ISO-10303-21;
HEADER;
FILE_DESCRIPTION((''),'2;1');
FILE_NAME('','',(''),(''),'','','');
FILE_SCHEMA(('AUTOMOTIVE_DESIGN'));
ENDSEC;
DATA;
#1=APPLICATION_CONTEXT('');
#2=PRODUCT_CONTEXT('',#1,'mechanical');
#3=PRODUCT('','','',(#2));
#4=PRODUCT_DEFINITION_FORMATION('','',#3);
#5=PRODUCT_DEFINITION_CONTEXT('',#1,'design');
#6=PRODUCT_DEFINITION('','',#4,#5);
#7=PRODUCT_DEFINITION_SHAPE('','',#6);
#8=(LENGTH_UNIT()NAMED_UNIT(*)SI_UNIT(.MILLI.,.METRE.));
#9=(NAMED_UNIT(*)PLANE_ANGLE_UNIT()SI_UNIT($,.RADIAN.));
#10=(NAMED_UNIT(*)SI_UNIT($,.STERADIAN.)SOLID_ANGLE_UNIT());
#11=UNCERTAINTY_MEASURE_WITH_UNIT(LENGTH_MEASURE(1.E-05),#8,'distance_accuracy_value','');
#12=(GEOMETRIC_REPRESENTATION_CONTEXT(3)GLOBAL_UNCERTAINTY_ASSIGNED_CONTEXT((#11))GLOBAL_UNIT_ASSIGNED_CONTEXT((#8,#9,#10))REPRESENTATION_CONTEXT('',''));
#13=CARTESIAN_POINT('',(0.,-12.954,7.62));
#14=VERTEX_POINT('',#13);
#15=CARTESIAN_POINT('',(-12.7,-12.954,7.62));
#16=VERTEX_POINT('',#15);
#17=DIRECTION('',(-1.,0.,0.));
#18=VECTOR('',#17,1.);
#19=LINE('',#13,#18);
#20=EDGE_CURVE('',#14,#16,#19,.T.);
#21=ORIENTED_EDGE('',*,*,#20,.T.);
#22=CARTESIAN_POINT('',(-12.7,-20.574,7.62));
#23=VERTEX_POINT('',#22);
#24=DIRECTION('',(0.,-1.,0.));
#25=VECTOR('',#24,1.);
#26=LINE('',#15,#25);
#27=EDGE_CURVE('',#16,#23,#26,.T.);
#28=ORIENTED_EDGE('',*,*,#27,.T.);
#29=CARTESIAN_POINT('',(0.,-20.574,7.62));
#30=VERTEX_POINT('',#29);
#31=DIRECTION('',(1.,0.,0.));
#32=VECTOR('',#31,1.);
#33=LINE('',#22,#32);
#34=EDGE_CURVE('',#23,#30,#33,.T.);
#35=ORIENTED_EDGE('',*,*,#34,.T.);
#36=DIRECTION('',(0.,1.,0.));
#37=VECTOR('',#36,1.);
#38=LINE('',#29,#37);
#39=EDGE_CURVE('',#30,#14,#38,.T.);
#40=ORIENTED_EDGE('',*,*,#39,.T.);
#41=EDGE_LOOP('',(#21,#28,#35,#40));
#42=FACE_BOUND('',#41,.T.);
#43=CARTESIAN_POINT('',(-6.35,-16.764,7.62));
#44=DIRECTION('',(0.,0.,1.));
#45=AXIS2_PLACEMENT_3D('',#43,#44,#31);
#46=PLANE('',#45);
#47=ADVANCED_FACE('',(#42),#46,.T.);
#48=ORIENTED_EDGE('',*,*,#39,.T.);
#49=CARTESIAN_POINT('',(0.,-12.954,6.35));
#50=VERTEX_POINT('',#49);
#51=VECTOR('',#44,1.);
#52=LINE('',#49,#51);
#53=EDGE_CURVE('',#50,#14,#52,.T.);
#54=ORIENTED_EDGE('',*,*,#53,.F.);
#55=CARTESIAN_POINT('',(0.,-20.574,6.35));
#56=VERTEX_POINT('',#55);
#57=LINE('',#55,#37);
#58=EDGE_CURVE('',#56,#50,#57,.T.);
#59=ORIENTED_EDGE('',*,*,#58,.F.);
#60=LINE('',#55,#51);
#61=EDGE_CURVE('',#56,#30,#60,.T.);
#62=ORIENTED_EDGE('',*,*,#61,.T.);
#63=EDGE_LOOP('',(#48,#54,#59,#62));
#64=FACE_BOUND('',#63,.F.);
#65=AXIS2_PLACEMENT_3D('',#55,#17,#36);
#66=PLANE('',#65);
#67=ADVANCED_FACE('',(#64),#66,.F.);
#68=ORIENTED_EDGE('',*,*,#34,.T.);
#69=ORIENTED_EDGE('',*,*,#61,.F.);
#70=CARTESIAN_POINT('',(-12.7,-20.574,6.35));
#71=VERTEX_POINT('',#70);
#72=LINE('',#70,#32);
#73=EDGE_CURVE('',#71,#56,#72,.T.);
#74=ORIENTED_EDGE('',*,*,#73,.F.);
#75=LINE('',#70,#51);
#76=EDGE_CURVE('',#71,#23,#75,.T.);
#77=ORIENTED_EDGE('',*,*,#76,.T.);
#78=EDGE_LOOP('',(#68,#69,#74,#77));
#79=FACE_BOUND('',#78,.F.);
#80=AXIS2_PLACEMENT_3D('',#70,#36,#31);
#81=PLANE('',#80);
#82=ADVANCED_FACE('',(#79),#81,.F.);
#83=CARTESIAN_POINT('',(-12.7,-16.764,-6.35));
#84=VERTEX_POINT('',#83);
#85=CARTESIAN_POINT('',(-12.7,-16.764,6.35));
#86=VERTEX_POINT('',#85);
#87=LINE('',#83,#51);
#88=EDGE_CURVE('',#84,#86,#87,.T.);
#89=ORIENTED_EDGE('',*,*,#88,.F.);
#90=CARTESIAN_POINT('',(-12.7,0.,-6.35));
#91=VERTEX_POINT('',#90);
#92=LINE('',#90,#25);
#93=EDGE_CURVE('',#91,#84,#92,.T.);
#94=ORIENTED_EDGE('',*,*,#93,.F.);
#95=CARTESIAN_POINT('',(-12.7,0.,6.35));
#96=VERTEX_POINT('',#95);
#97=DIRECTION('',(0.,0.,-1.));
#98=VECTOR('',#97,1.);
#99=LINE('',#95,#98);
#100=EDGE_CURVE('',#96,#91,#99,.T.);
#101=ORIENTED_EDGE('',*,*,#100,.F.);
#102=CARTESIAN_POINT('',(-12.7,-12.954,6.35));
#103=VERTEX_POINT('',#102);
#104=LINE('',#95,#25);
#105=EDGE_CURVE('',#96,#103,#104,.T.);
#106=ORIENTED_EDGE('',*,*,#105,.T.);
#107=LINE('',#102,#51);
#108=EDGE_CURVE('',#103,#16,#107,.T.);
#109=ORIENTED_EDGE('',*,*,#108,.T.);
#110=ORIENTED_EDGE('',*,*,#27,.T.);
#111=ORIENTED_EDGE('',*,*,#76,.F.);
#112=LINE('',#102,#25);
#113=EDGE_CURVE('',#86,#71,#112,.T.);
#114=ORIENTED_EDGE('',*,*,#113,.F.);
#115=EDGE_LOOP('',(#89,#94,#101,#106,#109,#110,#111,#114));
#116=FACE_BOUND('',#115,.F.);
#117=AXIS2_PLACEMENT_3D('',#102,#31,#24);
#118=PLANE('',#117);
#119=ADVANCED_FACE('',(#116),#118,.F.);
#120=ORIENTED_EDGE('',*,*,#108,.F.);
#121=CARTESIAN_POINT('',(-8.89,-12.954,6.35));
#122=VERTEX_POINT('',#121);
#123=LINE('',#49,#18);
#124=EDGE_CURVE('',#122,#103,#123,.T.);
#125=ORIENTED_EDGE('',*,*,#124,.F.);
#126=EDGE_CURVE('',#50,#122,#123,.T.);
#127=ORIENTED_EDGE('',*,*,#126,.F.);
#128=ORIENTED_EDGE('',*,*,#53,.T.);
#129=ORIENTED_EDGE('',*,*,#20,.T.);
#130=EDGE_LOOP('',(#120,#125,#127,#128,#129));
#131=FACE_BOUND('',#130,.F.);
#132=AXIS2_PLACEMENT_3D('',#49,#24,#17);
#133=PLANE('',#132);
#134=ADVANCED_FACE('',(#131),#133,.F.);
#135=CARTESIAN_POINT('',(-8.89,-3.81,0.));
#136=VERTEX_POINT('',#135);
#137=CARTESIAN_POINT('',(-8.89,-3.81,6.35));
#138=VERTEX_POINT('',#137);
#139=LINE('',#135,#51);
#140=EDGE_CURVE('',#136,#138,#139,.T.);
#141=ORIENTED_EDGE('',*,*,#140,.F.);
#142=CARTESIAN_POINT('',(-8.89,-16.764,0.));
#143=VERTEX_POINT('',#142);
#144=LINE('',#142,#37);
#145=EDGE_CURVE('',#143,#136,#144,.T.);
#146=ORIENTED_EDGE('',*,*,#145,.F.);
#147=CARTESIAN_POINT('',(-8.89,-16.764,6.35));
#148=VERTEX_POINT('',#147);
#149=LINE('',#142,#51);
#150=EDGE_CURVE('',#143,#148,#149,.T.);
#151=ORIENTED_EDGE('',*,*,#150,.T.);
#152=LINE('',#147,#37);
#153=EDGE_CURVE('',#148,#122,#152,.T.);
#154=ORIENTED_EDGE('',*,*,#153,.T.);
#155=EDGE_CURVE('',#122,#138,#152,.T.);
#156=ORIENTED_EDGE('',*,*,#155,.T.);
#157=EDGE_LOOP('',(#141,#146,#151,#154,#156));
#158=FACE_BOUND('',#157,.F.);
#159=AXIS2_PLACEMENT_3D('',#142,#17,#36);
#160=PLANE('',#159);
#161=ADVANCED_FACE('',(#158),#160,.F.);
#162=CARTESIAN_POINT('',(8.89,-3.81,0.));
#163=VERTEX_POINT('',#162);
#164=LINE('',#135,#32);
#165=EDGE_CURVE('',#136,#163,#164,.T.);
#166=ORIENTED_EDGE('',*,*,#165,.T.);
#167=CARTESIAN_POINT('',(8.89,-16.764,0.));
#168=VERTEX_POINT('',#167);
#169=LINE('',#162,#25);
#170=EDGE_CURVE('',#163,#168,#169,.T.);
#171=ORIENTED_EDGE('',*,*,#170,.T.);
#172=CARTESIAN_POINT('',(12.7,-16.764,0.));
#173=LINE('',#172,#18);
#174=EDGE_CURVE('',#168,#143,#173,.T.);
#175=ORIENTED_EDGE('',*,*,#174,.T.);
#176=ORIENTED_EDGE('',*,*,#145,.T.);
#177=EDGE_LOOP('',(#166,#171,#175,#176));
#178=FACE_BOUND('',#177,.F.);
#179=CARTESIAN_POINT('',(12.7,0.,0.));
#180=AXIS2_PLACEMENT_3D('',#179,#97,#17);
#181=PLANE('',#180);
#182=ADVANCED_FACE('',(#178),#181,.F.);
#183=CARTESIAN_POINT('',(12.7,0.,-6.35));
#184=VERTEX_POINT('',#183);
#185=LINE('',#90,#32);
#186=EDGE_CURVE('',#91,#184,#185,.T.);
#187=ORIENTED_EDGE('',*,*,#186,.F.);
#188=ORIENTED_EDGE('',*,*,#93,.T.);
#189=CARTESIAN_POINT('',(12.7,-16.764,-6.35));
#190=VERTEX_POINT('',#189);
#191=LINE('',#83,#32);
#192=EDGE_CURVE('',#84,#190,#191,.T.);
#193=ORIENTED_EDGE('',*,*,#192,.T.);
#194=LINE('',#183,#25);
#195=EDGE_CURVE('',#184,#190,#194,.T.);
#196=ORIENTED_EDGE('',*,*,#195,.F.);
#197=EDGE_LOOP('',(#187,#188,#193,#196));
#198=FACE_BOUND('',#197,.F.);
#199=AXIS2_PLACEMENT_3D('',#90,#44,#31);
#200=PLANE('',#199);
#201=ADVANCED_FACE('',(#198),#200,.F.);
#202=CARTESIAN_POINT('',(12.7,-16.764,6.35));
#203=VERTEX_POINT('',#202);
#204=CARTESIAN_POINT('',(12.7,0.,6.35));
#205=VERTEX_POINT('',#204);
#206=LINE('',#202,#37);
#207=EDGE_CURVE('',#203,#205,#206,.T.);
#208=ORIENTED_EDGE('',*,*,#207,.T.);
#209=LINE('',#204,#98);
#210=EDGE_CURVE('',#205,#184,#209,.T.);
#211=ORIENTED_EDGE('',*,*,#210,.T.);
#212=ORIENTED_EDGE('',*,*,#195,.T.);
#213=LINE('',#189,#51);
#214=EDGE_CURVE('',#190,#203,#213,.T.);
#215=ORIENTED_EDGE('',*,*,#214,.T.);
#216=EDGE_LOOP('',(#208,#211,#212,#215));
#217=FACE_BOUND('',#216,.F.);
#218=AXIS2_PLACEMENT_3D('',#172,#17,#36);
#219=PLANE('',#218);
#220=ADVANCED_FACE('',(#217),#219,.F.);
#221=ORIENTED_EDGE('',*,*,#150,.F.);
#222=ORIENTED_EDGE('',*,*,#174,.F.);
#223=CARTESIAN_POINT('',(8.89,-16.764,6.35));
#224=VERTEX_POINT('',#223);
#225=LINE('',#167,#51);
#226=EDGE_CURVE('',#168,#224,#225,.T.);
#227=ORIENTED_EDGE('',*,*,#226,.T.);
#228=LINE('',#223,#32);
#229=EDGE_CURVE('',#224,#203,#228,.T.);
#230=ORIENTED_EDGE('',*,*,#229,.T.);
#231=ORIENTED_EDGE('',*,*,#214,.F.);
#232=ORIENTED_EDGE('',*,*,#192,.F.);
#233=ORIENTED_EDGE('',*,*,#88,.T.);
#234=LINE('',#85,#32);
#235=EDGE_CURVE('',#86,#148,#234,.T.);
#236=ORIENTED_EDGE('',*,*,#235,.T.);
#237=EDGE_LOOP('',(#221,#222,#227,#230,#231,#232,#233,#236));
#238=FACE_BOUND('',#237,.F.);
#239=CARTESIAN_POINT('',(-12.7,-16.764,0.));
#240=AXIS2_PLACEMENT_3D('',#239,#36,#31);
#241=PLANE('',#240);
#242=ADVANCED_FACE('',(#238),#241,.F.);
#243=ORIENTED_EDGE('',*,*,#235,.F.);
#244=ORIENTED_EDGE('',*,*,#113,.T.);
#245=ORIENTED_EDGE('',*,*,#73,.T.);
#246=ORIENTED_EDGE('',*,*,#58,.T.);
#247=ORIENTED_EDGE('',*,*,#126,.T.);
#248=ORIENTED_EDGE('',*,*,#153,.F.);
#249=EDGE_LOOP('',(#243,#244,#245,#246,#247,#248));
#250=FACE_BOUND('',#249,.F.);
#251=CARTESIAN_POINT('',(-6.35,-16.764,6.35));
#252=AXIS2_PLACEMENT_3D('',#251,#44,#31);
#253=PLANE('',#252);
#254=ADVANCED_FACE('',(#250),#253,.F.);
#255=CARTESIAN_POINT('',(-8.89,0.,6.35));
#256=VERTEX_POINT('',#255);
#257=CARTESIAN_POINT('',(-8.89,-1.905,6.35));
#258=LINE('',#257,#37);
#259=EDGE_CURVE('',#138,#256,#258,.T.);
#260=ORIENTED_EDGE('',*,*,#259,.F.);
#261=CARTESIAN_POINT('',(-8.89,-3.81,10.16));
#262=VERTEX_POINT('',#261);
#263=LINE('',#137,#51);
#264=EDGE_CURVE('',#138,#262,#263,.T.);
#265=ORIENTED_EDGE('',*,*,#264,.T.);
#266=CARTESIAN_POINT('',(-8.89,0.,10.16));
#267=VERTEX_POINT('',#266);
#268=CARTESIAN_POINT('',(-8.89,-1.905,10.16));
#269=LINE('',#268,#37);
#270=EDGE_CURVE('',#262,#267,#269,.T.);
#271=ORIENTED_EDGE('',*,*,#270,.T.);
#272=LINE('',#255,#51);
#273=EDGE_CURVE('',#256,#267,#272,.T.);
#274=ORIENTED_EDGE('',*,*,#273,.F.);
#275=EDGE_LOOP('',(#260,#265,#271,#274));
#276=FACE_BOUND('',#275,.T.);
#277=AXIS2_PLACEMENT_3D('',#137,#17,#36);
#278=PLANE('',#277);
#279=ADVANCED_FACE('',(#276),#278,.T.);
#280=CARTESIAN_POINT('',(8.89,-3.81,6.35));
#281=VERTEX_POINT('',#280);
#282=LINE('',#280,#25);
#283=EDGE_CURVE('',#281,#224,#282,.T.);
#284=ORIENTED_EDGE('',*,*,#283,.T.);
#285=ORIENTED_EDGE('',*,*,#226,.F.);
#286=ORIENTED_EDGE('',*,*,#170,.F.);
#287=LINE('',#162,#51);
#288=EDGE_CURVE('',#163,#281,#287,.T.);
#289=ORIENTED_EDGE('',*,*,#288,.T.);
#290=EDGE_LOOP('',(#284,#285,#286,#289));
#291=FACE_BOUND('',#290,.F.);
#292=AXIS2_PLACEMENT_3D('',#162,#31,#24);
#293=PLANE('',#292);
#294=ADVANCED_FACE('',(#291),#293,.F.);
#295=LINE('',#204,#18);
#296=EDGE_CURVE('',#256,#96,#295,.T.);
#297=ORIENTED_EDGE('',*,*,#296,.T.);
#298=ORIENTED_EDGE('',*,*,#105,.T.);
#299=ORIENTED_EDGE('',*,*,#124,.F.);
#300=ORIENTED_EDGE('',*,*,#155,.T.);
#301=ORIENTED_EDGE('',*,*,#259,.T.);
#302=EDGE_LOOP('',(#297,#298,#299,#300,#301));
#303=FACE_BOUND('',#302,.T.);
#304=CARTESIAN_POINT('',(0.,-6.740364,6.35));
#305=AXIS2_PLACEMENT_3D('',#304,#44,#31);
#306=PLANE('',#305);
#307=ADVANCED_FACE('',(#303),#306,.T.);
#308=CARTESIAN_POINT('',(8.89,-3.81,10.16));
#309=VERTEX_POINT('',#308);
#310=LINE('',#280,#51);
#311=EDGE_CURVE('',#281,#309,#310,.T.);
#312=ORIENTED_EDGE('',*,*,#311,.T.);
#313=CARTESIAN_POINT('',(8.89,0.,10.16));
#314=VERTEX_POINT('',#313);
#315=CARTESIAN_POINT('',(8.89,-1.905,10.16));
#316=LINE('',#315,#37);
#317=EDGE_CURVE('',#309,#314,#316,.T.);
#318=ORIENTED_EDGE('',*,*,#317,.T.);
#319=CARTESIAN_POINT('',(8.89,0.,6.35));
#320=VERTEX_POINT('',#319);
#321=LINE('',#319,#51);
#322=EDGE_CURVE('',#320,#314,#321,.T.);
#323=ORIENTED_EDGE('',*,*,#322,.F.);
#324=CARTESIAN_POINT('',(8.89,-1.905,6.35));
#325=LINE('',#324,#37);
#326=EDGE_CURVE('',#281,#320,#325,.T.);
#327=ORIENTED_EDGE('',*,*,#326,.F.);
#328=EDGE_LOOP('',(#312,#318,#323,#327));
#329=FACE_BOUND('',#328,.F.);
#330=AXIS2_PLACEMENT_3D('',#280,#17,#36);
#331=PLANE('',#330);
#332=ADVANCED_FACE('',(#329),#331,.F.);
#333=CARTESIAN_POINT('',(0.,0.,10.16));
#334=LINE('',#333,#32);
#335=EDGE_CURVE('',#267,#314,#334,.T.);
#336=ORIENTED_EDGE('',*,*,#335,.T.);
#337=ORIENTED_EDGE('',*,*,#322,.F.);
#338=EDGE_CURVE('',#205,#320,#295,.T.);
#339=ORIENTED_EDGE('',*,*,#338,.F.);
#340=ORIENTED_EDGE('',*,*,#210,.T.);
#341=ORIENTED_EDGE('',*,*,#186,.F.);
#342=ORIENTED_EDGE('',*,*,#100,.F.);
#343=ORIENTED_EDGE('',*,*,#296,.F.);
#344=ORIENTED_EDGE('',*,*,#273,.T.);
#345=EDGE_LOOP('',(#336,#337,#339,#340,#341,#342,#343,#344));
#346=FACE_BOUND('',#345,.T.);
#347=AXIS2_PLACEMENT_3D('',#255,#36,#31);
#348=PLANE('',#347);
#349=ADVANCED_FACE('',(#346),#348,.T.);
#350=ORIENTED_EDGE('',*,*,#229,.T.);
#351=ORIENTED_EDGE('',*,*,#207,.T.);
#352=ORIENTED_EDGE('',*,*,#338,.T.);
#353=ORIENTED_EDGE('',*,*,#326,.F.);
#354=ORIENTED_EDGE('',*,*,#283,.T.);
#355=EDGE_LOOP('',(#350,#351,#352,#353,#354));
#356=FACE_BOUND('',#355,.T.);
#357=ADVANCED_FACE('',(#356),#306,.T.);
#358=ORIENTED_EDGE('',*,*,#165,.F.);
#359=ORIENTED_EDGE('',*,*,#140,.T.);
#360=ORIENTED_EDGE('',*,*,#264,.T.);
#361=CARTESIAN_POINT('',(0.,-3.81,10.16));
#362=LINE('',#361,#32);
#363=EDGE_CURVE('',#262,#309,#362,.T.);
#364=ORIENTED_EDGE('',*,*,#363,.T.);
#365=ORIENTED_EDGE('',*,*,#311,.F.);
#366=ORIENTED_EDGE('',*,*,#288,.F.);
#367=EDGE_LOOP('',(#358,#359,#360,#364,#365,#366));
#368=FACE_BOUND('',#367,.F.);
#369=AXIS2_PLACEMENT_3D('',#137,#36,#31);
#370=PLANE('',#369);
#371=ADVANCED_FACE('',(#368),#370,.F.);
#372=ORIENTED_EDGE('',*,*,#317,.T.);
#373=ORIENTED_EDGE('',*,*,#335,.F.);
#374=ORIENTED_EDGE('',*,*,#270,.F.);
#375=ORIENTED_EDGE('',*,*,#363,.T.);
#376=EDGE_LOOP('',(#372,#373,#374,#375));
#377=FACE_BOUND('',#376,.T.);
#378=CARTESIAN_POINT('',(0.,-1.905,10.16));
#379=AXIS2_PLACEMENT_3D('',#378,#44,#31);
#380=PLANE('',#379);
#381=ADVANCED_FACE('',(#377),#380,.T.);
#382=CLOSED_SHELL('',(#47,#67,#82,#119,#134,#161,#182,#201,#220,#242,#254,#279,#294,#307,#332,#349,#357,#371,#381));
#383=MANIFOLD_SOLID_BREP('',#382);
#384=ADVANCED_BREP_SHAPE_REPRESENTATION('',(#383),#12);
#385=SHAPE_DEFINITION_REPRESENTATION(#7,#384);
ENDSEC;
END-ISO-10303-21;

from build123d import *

# Parameters (mm, degrees)
F1_DEPTH = 16.764
F3_DEPTH = 6.35
F4_W     = 17.78
F4_H     = 3.81
F5_DEPTH = 3.81
F7_DEPTH = 1.27


with BuildPart() as f1:
    # F0 (on Front) → F1 (new body)
    with BuildSketch(Plane.XZ):
        Polygon((-12.7, -6.35), (0, -6.35), (12.7, -6.35), (12.7, 0), (-12.7, 0), align=None)
    extrude(amount=F1_DEPTH)

    # F2 (on face) → F3 (join)
    with BuildSketch(Plane.XY):
        Polygon((-12.7, 0), (-12.7, -16.764), (-8.89, -16.764), (-8.89, -3.81), (0, -3.81), (8.89, -3.81), (8.89, -16.764), (12.7, -16.764), (12.7, 0), align=None)
    extrude(amount=F3_DEPTH)

    # F4 (on face) → F5 (join)
    with BuildSketch(Plane.XY.offset(6.35)):
        with Locations((0, -1.905)):
            Rectangle(F4_W, F4_H)
    extrude(amount=F5_DEPTH)

    # F6 (on face) → F7 (join)
    with BuildSketch(Plane.XY.offset(6.35)):
        Polygon((-12.7, -12.954), (-12.7, -16.764), (-12.7, -20.574), (0, -20.574), (0, -12.954), align=None)
    extrude(amount=F7_DEPTH)


solid = f1.part
